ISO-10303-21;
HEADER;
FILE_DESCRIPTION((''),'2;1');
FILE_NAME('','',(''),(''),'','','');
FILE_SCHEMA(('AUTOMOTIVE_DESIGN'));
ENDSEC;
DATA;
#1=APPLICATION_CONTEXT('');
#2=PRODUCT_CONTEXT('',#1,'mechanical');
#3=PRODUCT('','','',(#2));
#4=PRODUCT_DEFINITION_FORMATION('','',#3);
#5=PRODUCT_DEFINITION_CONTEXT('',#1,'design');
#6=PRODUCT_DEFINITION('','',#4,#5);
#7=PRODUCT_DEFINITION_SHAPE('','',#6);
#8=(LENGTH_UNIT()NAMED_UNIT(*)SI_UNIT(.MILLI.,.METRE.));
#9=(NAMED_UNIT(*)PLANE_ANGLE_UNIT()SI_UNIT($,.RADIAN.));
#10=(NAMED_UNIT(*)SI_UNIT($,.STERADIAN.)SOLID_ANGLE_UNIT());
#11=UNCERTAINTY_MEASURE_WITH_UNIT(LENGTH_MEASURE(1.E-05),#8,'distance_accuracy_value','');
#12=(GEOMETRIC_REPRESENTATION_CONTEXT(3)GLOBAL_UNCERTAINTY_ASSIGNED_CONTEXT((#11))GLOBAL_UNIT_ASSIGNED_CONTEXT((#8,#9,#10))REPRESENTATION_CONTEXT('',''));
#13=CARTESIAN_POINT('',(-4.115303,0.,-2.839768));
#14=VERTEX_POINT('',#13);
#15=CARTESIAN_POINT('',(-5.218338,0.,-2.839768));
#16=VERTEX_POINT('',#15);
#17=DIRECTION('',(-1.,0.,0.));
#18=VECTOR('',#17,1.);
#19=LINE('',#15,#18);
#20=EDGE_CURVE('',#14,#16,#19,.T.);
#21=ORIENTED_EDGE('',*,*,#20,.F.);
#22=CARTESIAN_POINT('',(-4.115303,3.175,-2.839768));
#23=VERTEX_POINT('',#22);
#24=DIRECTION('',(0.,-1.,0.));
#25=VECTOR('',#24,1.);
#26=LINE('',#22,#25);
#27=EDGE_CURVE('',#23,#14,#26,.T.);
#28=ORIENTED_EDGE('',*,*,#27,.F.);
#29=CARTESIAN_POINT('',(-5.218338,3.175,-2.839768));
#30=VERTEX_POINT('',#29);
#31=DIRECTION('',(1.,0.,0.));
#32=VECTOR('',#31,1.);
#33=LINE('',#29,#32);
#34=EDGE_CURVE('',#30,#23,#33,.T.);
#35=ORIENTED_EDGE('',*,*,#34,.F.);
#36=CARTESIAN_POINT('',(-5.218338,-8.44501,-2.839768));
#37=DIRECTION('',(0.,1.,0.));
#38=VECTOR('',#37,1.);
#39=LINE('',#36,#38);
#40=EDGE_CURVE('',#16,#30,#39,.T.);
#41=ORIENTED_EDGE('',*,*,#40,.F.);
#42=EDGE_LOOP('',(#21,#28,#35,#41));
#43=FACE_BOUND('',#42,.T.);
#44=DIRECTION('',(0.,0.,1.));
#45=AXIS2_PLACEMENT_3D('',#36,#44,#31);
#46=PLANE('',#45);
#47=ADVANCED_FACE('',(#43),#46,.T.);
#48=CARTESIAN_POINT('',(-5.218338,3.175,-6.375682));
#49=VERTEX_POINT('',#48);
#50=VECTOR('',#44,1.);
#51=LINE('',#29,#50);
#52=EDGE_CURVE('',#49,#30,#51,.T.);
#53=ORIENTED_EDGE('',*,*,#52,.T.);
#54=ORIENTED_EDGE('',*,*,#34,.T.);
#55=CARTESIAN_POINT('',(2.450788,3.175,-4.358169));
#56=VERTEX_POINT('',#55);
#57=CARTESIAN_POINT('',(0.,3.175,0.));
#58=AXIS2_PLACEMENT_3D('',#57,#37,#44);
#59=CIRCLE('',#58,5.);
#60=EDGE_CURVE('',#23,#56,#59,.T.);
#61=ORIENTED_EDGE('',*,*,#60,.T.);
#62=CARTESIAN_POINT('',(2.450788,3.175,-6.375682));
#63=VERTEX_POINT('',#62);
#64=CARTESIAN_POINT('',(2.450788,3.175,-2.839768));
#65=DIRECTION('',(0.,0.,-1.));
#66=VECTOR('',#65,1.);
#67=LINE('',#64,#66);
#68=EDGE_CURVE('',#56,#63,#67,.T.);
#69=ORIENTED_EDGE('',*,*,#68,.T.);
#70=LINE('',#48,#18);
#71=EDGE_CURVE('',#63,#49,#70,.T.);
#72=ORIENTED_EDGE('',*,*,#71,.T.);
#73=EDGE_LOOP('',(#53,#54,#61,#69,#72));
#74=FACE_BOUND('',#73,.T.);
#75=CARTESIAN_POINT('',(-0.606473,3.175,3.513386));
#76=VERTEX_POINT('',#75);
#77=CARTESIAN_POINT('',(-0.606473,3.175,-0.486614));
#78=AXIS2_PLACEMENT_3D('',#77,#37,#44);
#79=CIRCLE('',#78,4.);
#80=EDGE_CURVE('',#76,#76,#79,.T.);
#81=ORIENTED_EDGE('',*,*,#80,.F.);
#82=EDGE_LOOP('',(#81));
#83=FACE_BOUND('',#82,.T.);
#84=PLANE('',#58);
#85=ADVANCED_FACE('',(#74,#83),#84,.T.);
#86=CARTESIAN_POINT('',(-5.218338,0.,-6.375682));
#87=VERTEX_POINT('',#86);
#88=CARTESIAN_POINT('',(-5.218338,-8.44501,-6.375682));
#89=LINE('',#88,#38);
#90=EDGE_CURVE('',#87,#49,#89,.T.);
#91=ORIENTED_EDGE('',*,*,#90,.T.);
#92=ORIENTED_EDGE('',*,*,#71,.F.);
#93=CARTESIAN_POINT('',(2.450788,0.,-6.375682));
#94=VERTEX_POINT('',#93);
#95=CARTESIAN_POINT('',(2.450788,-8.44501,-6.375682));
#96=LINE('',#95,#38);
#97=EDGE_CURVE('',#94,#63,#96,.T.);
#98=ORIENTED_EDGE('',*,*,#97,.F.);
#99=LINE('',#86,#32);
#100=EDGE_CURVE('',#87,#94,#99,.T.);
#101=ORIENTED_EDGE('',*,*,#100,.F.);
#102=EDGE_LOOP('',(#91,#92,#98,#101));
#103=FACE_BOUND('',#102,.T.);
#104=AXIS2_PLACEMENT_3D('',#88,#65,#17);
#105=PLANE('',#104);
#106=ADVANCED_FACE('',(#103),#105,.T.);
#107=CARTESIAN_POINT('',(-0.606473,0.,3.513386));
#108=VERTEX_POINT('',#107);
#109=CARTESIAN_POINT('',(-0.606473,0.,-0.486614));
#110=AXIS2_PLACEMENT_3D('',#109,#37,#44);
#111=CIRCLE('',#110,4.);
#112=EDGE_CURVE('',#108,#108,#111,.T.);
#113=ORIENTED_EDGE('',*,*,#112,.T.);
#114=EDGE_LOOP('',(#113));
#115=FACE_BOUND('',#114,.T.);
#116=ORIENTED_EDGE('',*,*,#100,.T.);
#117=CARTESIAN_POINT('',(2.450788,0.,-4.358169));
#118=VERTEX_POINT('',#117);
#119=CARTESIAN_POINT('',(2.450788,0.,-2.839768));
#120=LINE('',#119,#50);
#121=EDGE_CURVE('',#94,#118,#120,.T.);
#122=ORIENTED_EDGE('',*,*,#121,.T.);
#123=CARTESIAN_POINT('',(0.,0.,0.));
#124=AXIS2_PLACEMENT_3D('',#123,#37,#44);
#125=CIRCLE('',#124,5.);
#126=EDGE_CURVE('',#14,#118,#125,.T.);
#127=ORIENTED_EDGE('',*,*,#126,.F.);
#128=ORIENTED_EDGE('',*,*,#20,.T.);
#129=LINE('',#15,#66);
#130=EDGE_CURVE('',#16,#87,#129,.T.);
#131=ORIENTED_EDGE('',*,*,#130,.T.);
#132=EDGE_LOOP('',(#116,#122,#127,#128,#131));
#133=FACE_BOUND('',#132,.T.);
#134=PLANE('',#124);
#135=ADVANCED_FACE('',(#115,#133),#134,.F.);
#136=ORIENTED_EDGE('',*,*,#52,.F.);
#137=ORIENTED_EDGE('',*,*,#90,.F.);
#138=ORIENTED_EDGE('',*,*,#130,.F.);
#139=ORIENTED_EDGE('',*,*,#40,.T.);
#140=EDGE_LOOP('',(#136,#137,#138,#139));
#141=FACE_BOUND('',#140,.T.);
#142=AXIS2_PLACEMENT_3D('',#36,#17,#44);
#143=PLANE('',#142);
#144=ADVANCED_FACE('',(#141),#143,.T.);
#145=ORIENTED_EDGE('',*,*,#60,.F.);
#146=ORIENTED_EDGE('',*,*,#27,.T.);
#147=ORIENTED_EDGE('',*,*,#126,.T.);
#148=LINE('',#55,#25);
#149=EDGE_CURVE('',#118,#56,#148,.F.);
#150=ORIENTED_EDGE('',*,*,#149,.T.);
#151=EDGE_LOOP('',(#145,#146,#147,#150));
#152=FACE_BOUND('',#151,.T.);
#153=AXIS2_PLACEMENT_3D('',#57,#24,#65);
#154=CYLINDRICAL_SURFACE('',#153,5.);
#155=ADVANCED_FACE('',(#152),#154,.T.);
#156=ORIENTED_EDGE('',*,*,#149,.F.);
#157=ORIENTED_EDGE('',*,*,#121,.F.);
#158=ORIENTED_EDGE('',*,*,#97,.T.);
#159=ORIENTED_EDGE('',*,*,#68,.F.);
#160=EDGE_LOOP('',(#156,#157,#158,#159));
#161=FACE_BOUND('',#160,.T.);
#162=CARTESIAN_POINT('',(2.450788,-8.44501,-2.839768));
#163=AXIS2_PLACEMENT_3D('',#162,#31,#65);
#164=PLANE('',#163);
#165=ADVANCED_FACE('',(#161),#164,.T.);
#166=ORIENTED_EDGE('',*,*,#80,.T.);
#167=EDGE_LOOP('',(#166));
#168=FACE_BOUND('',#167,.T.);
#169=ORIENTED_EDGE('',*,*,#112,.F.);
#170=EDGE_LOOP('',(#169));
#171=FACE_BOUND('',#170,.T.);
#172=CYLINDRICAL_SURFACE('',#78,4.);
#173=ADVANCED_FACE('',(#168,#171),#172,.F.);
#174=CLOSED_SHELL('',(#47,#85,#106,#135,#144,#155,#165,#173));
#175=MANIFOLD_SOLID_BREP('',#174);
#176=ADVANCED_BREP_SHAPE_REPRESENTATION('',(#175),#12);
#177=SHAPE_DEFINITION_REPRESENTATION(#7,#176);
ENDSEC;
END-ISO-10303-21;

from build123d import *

# Parameters (mm, degrees)
SKETCH1_R                = 5
BOSS_EXTRUDE1_DEPTH      = 3.175
SKETCH2_W                = 7.669126603
SKETCH2_H                = 3.535914735
BOSS_EXTRUDE2_DEPTH      = 3.175
F_8_0_8_DIAMETER_HOLE1_D = 8


with BuildPart() as part:
    # Sketch1 → Boss-Extrude1 (new body)
    with BuildSketch(Plane(origin=(0, 0, 0), x_dir=(1, 0, 0), z_dir=(0, 1, 0))):
        Circle(SKETCH1_R)
    extrude(amount=BOSS_EXTRUDE1_DEPTH)

    # Sketch2 → Boss-Extrude2 (add)
    with BuildSketch(Plane(origin=(0, 3.175, 0), x_dir=(1, 0, 0), z_dir=(0, 1, 0))):
        with Locations((-1.383775104, 4.607725038)):
            Rectangle(SKETCH2_W, SKETCH2_H)
    extrude(amount=-BOSS_EXTRUDE2_DEPTH)

    # Ø8.0 (8) Diameter Hole1 (through all)
    with Locations(Plane(origin=(0, 3.175, 0), x_dir=(1, 0, 0), z_dir=(0, 1, 0))):
        with Locations((-0.606472724, 0.48661405)):
            Hole(F_8_0_8_DIAMETER_HOLE1_D / 2)


solid = part.part
